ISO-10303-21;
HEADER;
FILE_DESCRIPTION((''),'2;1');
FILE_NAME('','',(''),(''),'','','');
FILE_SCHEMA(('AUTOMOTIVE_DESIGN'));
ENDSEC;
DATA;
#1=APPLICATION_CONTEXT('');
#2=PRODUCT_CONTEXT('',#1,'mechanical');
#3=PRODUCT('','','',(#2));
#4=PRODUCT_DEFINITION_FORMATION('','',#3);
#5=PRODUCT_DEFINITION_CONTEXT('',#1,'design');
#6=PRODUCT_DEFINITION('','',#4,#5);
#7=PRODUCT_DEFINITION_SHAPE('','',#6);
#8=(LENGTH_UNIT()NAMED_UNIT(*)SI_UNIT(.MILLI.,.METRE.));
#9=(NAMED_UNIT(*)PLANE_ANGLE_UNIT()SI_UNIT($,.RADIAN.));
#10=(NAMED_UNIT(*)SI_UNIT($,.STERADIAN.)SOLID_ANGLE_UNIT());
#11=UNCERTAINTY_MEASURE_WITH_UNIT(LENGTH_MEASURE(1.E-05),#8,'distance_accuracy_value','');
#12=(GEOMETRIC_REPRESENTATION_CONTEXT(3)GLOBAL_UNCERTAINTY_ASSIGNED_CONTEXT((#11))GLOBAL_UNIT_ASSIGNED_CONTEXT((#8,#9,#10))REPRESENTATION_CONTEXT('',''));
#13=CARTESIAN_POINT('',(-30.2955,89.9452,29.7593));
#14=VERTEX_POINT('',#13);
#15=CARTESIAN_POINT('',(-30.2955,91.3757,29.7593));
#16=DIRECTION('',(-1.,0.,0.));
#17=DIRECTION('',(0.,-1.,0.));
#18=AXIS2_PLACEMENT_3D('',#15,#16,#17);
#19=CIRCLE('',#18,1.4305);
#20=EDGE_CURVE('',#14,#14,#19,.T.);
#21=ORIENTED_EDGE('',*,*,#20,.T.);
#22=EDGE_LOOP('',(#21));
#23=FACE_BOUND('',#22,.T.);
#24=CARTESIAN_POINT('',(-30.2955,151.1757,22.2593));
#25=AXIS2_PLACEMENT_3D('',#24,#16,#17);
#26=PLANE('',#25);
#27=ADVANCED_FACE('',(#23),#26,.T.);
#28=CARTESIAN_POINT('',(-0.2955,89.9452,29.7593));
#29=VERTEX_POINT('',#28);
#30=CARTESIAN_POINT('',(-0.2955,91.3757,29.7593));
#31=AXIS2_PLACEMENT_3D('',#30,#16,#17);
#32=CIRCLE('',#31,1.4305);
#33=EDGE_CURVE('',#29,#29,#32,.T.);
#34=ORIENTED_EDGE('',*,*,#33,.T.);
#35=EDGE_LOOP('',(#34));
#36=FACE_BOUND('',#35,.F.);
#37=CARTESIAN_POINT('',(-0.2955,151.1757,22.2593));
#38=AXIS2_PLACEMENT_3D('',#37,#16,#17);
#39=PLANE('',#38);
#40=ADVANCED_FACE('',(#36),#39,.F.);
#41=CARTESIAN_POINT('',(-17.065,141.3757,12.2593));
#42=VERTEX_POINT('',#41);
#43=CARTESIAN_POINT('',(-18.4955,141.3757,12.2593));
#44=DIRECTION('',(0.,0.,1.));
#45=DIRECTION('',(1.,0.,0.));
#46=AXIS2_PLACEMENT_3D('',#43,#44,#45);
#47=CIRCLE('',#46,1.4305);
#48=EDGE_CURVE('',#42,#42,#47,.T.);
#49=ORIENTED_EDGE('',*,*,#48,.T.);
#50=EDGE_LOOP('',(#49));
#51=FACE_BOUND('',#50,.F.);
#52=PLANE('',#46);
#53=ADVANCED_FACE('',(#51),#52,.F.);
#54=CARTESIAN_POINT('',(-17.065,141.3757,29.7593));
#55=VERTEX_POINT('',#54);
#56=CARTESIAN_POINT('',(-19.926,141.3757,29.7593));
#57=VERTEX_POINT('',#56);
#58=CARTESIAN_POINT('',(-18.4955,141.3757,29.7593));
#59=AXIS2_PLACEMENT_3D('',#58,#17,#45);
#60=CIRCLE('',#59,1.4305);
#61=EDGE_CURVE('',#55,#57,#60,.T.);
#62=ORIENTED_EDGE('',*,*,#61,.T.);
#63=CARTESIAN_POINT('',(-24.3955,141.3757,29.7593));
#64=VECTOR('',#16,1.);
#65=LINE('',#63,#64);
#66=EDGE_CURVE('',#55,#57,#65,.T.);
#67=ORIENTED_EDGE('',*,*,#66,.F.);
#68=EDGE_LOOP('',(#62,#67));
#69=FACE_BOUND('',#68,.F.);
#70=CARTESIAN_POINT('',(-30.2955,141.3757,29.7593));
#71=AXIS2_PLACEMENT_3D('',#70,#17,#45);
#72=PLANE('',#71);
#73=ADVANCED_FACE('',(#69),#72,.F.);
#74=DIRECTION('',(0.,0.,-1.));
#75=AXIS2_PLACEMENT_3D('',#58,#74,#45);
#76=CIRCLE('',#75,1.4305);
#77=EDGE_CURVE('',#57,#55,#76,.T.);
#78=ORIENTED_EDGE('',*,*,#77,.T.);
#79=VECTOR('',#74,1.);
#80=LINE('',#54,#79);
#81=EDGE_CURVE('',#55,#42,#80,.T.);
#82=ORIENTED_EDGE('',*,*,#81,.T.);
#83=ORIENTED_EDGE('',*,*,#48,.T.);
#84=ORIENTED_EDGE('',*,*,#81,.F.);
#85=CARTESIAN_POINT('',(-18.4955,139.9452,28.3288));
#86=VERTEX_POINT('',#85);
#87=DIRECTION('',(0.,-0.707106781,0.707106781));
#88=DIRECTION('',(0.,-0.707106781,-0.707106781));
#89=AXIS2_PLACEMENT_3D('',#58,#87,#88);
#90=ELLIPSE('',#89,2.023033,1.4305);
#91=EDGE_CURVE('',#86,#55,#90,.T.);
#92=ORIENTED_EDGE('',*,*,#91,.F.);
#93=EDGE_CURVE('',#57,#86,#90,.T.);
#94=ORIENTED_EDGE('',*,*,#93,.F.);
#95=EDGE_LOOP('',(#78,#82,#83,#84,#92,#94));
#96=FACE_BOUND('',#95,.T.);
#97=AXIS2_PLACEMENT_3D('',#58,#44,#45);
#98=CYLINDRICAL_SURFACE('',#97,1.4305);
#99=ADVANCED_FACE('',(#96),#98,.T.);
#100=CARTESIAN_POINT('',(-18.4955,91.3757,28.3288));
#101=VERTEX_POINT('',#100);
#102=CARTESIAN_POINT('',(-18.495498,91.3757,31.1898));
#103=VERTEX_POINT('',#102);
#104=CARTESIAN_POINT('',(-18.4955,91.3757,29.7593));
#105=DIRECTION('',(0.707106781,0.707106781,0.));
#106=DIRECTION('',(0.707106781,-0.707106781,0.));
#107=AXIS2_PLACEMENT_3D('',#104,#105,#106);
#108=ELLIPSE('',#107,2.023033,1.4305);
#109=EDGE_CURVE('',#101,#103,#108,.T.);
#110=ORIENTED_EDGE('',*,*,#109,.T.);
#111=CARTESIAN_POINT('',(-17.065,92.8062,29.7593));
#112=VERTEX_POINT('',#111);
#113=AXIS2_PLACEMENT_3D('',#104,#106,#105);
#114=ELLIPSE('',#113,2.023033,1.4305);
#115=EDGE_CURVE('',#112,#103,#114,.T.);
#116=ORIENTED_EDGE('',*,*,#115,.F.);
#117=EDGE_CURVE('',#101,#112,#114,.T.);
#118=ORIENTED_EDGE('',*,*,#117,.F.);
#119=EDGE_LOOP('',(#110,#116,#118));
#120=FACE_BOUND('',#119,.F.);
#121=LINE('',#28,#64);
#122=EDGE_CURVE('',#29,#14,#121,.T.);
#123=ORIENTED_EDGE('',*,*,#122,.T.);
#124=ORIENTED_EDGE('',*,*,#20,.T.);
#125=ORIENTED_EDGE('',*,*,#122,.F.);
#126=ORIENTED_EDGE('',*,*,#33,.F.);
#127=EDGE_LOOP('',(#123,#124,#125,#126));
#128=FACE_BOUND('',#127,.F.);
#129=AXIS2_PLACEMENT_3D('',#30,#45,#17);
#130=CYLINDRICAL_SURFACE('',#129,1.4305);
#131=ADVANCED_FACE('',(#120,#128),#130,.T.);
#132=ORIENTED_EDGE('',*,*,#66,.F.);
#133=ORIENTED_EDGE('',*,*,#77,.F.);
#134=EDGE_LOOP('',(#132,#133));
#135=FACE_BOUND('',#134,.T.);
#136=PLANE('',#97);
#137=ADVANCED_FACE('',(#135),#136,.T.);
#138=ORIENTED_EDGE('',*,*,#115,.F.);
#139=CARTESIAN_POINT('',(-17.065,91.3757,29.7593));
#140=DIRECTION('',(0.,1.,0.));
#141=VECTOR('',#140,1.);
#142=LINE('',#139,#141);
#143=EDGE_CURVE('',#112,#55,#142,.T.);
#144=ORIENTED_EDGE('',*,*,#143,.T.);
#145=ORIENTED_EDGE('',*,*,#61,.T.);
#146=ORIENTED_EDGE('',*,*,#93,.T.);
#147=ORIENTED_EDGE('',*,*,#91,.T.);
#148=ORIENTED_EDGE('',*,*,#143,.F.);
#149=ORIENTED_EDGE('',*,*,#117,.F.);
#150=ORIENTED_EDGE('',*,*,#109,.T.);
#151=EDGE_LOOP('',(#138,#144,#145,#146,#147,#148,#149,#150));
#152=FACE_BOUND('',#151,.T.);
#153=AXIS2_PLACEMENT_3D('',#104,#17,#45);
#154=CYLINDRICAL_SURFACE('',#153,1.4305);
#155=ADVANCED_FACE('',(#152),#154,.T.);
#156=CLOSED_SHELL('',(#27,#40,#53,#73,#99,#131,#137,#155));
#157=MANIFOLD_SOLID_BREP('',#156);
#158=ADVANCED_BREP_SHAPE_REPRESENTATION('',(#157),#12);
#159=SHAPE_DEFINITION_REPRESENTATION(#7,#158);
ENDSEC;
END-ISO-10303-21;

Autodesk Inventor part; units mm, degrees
ref_plane "YZ Plane" through (0, 0, 0) normal (1, 0, 0) x (0, 1, 0)
ref_plane "XZ Plane" through (0, 0, 0) normal (0, 1, 0) x (-1, 0, 0)
ref_plane "Work Plane1" through (-0.2955, 151.1757, 22.2593) normal (-1, 0, 0) x (0, -1, 0)
sketch "Sketch1" plane through (-0.2955, 151.1757, 22.2593) normal (-1, 0, 0) x (0, -1, 0)
  arc A0 (59.8, 2) -> (63.9581, 11.1) centre (59.8, 7.5) ccw projected
  circle A1 centre (59.8, 7.5) radius 1.4305
  point P0 (151.1757, -22.2593)
extrude "Extrusion1" add sketch "Sketch1" along normal blind 30
ref_plane "Work Plane2" through (-18.4955, 91.3757, 29.7593) normal (-1, 0, 0) x (0, -1, 0)
ref_plane "Work Plane4" through (-30.2955, 91.3757, 29.7593) normal (0, -1, 0) x (1, 0, 0)
ref_plane "Work Plane3" through (-0.2955, 73.8757, 22.2593) normal (0, -1, 0) x (1, 0, 0)
sketch "Sketch2" plane through (-30.2955, 91.3757, 29.7593) normal (0, -1, 0) x (1, 0, 0)
  line L0 (0, 1.4305) -> (0, -1.4305) projected
  line L1 (30, -1.4305) -> (30, 1.4305) projected
  circle A0 centre (11.8, 0) radius 1.4305
  line L2 (30, -1.4305) -> (0, -1.4305) projected
  line L3 (26.8, 6.34) -> (26.8, -6.34) projected
  point P0 (30.2955, -29.7593)
  dimension "d2" = 15
extrude "Extrusion2" add sketch "Sketch2" against normal blind 50
ref_plane "Work Plane6" through (-18.4955, 141.3757, 29.7593) normal (0, 0, 1) x (1, 0, 0)
ref_plane "Work Plane5" through (74.7045, 112.5257, 35.3593) normal (0, 0, 1) x (1, 0, 0)
sketch "Sketch3" plane through (-18.4955, 141.3757, 29.7593) normal (0, 0, 1) x (1, 0, 0)
  line L0 (1.4305, 0) -> (-1.4305, 0) projected
  circle A0 centre (0, 0) radius 1.4305
  line L1 (1.4305, -48.5695) -> (1.4305, 0) projected
  point P0 (18.4955, -141.3757)
ref_plane "Work Plane7" through (-19.4482, 115.8757, 12.2593) normal (0, 0, 1) x (1, 0, 0)
extrude "Extrusion3" add sketch "Sketch3" against normal up to surface (17.5 mm away)
ref_plane "Work Plane10" through (-18.4955, 141.3757, 29.7593) normal (0, -0.7071, 0.7071) x (-1, 0, 0)
ref_plane "Work Plane9" through (-18.4955, 141.3757, 12.2593) normal (0, -1, 0) x (1, 0, 0)
ref_plane "Work Plane8" through (-57.7234, 76.1875, 20.0898) normal (0, -1, 0) x (1, 0, 0)
properties part number "00_Lightpath"
